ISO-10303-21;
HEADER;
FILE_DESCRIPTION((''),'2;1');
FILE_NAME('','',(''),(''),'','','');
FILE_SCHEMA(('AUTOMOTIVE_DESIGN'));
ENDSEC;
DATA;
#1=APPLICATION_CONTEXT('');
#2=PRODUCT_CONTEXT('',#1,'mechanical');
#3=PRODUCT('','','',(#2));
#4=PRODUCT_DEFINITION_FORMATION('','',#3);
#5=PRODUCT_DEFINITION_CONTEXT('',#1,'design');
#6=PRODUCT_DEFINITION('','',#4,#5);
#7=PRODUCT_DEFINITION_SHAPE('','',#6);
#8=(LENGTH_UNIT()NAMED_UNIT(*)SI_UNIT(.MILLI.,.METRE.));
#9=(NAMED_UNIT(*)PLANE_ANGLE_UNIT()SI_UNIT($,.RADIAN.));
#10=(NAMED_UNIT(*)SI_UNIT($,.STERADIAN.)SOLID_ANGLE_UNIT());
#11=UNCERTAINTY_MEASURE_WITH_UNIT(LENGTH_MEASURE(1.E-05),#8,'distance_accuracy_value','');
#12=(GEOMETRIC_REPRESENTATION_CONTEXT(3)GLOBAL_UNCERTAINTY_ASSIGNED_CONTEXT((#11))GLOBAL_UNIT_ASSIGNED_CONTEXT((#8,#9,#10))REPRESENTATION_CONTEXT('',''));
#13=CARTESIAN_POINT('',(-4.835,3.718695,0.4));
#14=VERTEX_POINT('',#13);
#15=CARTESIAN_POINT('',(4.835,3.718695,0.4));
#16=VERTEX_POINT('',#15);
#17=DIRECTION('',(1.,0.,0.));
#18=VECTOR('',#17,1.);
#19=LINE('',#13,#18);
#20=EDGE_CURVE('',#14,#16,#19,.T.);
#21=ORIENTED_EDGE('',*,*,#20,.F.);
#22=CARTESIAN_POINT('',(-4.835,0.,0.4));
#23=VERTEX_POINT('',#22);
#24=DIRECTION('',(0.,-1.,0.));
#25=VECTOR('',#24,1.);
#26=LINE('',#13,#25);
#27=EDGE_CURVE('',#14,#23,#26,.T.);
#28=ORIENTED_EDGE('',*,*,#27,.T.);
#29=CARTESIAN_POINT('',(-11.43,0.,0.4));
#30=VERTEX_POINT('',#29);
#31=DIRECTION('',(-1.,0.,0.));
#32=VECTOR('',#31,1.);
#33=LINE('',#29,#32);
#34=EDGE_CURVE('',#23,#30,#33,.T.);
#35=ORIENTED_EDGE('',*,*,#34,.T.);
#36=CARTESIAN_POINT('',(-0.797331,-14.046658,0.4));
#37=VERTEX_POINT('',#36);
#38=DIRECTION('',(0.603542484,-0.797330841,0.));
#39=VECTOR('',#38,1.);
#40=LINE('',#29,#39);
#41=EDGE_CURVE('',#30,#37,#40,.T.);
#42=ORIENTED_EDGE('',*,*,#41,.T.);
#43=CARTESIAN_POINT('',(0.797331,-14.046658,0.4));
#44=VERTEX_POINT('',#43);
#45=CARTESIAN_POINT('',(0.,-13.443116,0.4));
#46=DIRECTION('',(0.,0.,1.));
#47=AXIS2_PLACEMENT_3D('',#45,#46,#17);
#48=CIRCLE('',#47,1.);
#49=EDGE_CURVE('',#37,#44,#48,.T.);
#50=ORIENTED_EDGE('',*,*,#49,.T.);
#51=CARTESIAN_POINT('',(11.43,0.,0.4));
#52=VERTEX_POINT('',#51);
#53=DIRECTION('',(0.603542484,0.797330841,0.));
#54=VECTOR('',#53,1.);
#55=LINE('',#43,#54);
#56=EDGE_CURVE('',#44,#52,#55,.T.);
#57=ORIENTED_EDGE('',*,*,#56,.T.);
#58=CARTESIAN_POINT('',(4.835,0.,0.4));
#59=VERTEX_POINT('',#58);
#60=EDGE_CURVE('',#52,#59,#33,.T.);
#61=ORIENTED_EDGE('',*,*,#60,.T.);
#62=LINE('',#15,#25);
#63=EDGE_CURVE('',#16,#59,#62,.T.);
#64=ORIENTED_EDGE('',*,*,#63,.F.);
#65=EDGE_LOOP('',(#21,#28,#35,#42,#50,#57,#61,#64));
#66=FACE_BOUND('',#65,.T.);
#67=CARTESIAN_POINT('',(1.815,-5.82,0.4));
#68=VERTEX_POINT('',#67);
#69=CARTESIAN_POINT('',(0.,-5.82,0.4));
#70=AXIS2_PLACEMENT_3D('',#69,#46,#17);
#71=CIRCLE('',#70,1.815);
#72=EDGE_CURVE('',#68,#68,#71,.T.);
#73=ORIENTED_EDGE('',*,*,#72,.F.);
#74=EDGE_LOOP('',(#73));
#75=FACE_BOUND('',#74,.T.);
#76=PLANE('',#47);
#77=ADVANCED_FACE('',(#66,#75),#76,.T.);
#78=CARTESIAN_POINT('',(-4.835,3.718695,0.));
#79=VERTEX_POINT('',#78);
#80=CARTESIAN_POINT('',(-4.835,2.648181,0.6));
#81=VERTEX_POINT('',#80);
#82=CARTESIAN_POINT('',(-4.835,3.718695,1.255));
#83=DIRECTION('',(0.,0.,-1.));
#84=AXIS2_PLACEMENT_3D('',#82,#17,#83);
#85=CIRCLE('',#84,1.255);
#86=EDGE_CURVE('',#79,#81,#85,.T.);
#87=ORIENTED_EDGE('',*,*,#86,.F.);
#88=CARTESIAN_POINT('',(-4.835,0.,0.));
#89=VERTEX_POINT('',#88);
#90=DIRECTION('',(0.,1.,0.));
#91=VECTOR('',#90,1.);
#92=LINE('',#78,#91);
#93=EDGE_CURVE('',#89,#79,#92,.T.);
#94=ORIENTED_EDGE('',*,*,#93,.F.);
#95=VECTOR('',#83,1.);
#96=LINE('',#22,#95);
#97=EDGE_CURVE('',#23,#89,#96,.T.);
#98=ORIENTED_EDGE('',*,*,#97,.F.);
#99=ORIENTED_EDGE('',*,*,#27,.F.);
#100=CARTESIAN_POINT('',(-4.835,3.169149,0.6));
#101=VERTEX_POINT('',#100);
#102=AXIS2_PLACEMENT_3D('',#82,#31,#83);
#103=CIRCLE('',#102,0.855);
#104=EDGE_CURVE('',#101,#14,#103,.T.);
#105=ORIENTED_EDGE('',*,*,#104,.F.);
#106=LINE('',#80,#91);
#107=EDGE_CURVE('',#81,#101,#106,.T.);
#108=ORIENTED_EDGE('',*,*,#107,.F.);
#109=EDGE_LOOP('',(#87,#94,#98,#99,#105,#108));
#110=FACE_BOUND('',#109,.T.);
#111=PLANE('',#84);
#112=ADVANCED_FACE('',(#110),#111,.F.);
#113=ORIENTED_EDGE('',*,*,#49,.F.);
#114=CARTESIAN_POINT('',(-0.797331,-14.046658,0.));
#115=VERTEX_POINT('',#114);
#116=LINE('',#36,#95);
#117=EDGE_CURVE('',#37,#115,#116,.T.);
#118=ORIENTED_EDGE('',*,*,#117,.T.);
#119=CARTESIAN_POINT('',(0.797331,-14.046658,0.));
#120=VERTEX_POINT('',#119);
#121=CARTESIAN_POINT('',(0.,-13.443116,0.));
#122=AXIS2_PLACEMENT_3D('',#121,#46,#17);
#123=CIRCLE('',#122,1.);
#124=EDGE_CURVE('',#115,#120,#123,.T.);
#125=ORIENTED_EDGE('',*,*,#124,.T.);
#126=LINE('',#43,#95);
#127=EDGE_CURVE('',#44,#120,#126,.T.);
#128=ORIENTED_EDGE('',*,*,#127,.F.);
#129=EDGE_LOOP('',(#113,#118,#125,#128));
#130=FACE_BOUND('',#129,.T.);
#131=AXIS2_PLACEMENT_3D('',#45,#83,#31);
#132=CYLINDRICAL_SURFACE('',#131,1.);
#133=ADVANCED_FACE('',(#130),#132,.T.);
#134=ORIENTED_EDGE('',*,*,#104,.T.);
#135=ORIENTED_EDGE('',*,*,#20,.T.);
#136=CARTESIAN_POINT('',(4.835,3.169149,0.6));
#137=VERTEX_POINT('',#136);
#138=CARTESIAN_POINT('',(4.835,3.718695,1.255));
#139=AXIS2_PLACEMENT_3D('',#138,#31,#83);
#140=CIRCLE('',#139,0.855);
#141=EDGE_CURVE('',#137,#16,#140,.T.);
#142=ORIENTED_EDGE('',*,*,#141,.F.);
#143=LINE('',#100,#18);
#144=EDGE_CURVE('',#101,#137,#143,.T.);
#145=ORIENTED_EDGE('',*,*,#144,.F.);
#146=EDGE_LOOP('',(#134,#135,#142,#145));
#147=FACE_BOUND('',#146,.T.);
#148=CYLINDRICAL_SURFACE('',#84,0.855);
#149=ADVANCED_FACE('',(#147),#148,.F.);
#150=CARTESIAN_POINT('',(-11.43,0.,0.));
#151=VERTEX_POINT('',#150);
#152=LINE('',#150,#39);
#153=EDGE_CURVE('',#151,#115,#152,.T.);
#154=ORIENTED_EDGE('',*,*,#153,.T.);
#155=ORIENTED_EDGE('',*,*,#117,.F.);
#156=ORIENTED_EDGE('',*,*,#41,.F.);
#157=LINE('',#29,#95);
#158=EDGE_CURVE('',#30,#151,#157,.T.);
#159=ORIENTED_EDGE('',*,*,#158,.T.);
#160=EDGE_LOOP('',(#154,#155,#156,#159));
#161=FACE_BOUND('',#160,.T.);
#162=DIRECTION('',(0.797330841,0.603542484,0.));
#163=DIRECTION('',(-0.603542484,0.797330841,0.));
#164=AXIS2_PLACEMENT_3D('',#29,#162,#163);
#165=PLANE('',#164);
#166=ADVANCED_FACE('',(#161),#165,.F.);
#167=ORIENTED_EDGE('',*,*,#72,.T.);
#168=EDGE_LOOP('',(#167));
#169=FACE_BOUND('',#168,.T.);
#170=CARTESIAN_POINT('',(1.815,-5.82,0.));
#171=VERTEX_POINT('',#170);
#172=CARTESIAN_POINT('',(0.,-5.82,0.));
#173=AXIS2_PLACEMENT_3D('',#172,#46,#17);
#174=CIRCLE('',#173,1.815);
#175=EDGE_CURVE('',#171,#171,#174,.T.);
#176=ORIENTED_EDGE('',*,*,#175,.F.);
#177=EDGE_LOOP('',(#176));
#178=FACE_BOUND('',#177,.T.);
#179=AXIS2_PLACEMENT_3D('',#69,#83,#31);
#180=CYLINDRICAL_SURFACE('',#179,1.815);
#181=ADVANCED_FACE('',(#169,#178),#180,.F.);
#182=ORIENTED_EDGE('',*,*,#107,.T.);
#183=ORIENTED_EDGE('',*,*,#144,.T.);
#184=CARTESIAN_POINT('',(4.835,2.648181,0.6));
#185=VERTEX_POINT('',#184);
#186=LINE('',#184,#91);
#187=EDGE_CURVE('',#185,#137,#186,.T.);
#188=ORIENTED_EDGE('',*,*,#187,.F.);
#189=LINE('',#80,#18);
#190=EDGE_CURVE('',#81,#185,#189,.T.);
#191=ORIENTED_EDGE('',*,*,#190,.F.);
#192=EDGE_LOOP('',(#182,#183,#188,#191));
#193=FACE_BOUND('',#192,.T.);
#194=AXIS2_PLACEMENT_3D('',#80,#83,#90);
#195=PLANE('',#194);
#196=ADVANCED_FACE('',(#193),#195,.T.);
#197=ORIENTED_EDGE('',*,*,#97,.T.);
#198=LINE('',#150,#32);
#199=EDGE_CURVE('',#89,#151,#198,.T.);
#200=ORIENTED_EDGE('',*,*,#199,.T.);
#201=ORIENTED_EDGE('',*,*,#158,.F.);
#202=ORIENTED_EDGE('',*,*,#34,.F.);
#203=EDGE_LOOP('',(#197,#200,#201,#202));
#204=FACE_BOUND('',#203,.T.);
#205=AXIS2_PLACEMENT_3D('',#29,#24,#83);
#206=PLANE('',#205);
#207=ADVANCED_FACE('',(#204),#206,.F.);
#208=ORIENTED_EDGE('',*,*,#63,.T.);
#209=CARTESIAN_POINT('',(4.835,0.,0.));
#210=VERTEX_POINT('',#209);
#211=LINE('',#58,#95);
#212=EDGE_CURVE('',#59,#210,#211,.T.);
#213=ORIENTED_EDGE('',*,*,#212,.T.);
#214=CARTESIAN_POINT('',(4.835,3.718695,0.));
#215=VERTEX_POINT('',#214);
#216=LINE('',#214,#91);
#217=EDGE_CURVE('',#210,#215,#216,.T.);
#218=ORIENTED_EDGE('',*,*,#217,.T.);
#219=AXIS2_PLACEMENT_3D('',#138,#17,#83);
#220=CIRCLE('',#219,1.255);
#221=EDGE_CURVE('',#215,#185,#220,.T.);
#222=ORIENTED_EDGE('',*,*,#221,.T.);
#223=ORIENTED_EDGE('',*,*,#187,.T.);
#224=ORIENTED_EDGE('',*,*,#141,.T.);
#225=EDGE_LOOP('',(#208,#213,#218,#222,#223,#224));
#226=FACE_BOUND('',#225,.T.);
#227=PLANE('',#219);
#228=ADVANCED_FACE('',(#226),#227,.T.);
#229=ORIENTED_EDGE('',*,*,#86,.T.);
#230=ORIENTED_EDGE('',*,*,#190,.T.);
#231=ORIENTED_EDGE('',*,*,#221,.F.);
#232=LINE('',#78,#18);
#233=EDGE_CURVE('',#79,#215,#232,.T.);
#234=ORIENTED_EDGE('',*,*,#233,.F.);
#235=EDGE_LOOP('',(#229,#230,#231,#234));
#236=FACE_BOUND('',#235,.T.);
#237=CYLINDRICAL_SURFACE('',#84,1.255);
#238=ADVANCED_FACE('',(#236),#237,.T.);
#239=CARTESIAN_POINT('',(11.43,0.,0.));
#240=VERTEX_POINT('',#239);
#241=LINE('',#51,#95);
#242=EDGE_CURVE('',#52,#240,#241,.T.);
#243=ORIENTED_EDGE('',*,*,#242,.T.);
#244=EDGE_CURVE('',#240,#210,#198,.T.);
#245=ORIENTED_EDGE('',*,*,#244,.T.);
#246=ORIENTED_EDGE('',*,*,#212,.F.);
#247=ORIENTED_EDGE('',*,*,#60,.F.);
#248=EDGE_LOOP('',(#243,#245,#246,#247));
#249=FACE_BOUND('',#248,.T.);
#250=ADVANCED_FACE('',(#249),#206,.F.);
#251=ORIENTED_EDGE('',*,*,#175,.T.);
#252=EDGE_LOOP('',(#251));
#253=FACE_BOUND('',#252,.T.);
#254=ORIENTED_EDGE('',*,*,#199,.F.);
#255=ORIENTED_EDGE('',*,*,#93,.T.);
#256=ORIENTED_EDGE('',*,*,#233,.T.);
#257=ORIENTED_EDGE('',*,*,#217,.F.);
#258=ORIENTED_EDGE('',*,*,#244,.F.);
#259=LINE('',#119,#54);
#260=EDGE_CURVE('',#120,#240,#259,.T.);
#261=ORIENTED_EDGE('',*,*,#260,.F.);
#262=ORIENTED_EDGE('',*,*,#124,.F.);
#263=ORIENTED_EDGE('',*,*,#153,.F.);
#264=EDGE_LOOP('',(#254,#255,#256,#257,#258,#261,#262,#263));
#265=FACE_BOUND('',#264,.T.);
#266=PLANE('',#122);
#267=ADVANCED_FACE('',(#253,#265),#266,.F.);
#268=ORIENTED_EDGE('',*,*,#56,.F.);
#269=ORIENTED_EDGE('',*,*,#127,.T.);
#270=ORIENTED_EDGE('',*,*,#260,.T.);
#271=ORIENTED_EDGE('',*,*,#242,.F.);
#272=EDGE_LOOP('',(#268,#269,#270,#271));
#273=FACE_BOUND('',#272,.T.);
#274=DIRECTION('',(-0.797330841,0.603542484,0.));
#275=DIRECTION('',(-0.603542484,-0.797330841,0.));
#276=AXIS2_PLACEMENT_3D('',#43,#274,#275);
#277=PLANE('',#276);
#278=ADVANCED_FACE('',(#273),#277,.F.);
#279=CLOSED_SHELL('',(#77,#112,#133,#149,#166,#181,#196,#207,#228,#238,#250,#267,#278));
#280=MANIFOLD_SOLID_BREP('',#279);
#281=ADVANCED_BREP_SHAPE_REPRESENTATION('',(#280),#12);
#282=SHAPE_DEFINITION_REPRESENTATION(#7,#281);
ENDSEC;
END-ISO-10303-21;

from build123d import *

# Parameters (mm, degrees)
SKETCH1_R                = 1.815
BOSS_EXTRUDE1_DEPTH      = 0.4
BOSS_EXTRUDE2_DEPTH      = 4.835
BOSS_EXTRUDE2_DEPTH_BACK = 4.835


with BuildPart() as part:
    # Sketch1 → Boss-Extrude1 (new body)
    with BuildSketch(Plane.XY):
        with BuildLine():
            Line((-11.43, 0), (11.43, 0))
            Line((11.43, 0), (0.797330841, -14.046658294))
            ThreePointArc((0.797330841, -14.046658294), (0, -14.44311581), (-0.797330841, -14.046658294))
            Line((-0.797330841, -14.046658294), (-11.43, 0))
        make_face()
        with Locations((0, -5.82)):
            Circle(SKETCH1_R, mode=Mode.SUBTRACT)
    extrude(amount=BOSS_EXTRUDE1_DEPTH)

    # Sketch3 → Boss-Extrude2 (add, two sides: drawn at the far end of the back side and taken through both)
    with BuildSketch(Plane(origin=(0, 0, 0), x_dir=(0, 0, -1), z_dir=(1, 0, 0)).offset(-BOSS_EXTRUDE2_DEPTH_BACK)):
        with BuildLine():
            Line((-0.4, 0), (0, 0))
            Line((0, 0), (0, 3.718694726))
            ThreePointArc((0, 3.718694726), (-2.349771666, 4.332290684), (-0.6, 2.648180831))
            Line((-0.6, 2.648180831), (-0.6, 3.16914946))
            ThreePointArc((-0.6, 3.16914946), (-2.058445704, 4.011098557), (-0.4, 3.718694726))
            Line((-0.4, 3.718694726), (-0.4, 0))
        make_face()
    extrude(amount=BOSS_EXTRUDE2_DEPTH + BOSS_EXTRUDE2_DEPTH_BACK)


solid = part.part
